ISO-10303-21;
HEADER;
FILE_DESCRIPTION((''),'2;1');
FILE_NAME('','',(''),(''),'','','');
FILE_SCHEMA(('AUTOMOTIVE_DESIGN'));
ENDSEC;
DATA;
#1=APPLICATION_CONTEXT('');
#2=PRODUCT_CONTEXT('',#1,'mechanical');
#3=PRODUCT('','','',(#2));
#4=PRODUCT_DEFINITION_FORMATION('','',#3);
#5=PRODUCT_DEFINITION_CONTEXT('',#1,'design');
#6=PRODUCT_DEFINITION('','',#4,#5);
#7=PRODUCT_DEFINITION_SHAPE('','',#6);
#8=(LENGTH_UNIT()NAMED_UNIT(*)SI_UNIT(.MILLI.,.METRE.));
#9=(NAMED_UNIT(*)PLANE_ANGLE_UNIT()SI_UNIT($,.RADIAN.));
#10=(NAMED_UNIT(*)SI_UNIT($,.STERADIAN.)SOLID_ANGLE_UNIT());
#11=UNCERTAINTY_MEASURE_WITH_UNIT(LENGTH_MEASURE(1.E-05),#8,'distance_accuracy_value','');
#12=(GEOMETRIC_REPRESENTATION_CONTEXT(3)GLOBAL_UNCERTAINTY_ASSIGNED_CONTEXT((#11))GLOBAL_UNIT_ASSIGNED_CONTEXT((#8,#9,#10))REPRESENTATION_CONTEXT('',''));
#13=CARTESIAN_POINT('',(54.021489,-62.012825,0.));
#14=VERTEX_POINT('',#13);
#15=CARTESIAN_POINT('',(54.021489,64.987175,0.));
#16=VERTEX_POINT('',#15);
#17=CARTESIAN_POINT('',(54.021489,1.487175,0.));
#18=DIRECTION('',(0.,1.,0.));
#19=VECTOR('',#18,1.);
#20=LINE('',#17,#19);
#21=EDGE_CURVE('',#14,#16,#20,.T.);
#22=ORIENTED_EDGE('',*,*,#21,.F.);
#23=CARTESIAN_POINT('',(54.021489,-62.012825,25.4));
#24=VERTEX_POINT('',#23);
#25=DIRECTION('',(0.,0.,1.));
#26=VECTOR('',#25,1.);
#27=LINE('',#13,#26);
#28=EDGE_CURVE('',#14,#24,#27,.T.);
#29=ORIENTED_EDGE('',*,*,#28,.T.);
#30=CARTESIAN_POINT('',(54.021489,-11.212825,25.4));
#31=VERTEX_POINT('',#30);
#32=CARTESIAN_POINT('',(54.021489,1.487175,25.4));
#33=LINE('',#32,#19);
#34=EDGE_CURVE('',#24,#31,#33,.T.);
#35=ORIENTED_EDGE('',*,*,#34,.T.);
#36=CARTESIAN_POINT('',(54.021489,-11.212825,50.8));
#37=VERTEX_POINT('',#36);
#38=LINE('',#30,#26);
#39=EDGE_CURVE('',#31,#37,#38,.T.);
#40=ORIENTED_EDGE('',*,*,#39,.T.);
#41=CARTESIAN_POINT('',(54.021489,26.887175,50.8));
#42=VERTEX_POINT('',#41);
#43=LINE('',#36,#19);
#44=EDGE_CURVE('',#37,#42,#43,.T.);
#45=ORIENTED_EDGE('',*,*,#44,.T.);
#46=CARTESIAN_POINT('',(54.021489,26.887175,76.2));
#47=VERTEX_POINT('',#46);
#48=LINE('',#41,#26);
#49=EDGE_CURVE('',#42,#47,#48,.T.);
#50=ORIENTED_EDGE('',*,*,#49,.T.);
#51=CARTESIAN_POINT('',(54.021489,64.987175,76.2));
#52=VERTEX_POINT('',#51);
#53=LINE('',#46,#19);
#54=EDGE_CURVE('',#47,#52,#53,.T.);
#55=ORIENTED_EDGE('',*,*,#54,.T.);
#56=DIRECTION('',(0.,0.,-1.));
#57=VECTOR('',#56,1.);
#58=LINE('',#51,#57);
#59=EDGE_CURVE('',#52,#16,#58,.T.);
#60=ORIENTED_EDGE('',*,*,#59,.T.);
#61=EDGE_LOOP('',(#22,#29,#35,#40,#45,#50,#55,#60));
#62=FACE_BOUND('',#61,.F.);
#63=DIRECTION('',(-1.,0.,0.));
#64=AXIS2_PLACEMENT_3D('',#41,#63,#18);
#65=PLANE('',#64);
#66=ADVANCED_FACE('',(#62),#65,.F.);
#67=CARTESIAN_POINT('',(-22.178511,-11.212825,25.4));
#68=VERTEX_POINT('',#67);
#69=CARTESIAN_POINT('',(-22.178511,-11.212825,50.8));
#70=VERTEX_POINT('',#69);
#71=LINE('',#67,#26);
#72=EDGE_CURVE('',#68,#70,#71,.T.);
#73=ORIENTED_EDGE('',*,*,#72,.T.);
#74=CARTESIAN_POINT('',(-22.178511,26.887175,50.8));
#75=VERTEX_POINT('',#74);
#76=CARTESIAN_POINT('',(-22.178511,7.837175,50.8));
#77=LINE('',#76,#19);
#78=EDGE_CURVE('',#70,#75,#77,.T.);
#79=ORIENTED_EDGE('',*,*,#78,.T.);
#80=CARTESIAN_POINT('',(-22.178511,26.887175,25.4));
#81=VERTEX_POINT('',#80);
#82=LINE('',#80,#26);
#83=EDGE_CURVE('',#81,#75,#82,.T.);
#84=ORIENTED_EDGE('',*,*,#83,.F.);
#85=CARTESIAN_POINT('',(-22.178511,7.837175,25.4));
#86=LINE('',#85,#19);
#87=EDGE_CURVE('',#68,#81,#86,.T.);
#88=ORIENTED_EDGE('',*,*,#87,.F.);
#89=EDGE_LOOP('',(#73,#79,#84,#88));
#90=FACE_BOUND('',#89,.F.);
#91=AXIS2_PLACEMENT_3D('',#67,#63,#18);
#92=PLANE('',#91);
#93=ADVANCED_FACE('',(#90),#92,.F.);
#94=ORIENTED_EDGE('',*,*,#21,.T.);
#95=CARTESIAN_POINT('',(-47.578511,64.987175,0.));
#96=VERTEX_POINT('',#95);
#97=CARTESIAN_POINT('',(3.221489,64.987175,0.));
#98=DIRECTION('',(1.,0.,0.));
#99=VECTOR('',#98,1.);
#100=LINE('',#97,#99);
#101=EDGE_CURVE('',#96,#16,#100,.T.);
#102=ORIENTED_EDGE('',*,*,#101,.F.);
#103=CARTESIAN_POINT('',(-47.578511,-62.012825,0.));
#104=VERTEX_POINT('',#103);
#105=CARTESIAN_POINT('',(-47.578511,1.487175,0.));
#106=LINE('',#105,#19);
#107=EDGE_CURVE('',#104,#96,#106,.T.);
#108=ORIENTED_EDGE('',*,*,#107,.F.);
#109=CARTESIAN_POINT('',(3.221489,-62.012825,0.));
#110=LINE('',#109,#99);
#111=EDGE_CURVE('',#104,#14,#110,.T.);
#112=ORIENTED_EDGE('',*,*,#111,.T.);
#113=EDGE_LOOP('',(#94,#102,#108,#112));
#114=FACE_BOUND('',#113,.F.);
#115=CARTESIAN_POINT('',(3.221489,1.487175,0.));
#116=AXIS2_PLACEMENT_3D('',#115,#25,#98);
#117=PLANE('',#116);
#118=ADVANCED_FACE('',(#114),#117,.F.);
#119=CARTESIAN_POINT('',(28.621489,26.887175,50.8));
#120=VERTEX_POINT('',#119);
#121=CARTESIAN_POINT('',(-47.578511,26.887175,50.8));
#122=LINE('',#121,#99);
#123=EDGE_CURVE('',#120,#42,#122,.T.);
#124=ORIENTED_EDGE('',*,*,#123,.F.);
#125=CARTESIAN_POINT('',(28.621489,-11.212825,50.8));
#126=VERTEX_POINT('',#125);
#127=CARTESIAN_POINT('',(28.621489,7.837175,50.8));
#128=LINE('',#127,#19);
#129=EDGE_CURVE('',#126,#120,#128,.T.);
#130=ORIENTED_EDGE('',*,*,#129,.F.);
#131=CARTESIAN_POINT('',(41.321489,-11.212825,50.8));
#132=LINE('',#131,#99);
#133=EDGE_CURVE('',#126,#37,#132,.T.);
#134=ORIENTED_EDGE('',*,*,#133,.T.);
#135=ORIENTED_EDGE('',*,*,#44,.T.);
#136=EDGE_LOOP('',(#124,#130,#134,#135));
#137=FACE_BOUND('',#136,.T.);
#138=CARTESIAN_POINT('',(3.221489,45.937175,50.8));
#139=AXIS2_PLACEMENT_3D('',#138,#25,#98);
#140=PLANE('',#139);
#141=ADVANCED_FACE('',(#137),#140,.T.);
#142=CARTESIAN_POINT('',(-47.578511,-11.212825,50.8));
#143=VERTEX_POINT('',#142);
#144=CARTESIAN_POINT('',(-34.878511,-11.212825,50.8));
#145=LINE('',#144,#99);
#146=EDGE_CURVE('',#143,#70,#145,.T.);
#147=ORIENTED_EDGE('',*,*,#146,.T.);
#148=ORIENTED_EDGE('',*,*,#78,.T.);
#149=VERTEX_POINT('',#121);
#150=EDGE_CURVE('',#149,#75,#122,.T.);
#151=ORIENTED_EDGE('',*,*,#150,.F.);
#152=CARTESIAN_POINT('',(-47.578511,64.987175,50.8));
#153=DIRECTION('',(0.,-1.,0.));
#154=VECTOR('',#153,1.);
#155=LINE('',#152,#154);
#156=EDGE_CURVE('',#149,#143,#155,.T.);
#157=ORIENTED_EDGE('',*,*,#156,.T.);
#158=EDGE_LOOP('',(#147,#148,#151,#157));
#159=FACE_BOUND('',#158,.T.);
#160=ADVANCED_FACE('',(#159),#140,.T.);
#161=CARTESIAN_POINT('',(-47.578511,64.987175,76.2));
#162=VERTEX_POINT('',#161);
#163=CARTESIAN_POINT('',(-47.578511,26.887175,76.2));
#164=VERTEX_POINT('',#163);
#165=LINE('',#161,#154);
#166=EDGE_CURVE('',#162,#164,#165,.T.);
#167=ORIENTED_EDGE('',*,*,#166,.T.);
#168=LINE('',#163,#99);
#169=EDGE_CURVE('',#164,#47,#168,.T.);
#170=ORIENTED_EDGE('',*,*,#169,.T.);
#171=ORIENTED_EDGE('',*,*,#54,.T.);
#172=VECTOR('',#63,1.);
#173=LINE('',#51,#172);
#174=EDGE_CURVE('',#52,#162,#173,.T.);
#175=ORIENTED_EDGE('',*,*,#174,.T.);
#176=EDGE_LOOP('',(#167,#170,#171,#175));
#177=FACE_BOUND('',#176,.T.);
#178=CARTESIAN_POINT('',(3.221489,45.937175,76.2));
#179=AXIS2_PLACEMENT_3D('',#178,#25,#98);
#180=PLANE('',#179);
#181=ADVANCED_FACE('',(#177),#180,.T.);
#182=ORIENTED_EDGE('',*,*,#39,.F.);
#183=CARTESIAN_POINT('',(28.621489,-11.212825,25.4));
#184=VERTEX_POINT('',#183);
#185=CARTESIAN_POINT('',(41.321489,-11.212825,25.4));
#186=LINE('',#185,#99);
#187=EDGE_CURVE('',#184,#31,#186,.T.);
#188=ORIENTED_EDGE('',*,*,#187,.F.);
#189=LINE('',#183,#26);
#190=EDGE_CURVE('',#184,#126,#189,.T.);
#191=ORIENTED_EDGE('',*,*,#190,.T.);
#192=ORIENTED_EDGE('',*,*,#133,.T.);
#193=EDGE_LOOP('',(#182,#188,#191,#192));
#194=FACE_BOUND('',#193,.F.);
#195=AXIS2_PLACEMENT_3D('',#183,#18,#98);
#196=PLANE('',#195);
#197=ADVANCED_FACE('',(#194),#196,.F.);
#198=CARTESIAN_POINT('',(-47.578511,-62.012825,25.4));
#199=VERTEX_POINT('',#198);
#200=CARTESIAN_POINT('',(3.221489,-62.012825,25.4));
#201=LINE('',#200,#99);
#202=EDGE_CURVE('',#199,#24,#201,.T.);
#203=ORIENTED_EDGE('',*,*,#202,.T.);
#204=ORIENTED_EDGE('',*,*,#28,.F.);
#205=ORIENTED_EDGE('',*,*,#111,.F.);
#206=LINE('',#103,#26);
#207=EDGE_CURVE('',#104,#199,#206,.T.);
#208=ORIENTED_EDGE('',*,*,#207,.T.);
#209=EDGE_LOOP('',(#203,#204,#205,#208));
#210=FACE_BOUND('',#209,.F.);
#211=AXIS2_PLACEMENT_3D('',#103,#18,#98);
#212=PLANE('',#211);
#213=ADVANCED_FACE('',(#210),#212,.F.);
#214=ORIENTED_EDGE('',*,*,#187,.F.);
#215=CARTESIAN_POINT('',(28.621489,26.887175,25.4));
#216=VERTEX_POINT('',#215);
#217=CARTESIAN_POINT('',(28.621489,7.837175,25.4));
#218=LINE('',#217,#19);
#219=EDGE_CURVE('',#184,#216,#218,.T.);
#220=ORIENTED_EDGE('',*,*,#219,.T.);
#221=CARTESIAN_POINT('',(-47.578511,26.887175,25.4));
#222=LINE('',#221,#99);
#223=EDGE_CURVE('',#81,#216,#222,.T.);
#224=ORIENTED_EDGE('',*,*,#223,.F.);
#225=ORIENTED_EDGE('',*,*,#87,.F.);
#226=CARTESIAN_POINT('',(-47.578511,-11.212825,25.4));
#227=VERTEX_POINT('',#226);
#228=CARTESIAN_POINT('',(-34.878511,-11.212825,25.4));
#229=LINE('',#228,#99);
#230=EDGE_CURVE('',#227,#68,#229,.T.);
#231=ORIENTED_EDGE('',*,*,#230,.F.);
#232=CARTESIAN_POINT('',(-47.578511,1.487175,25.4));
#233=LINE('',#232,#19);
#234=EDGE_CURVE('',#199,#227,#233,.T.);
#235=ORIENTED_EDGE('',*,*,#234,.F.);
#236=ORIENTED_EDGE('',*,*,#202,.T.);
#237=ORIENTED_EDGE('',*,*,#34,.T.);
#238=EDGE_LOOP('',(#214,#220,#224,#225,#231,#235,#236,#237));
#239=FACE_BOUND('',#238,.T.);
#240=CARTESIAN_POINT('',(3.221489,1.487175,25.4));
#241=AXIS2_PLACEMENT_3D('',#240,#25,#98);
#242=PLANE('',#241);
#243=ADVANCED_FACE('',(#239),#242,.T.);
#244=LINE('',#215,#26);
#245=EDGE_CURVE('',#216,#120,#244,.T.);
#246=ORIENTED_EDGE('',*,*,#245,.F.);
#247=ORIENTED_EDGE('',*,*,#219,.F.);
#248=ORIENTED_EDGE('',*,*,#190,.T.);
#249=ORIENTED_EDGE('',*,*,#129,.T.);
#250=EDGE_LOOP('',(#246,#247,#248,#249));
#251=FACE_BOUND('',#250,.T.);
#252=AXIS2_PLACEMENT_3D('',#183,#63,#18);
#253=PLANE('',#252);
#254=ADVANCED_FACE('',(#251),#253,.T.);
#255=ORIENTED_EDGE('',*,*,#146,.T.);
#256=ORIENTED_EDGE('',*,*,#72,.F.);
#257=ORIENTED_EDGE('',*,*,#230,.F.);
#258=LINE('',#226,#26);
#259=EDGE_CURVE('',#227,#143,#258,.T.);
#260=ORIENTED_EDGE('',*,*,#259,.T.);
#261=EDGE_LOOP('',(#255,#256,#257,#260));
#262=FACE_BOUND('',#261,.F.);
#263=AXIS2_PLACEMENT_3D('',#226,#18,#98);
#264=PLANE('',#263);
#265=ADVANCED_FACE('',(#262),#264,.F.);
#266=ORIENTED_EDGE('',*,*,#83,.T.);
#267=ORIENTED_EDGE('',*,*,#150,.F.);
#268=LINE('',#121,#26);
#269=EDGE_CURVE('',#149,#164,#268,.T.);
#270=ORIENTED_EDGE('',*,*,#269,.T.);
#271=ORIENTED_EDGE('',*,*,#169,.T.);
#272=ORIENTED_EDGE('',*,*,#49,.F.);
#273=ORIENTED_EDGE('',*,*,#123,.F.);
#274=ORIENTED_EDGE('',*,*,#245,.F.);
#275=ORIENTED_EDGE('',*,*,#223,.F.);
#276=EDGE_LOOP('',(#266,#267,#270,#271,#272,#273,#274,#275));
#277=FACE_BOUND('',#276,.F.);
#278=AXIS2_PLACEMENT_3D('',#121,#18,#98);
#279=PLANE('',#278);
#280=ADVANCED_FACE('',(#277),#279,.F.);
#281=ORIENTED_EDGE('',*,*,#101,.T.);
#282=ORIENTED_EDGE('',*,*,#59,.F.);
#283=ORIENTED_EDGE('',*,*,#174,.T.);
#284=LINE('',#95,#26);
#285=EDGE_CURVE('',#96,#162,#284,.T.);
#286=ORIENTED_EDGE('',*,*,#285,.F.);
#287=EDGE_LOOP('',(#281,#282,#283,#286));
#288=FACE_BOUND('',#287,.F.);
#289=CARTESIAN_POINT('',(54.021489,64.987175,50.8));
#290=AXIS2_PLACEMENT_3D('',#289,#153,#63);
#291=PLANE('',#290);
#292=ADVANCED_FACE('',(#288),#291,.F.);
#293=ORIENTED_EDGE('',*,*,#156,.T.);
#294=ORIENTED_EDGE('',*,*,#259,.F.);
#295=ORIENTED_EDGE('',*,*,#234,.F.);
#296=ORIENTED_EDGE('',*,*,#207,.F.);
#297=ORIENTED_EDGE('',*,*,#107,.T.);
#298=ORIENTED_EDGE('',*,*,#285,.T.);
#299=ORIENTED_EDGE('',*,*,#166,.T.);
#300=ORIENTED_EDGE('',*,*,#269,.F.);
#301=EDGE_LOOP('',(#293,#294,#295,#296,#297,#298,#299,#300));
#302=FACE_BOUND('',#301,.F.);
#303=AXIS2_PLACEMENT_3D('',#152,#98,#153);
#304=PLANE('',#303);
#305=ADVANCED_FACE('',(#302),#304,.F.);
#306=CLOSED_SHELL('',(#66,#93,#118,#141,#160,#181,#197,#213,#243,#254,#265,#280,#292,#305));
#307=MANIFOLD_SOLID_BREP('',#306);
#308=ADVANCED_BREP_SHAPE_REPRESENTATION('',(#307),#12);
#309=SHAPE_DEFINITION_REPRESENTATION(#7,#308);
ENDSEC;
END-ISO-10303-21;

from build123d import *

# Parameters (mm, degrees)
F0_W     = 101.6
F0_H     = 127
F1_DEPTH = 25.4
F2_W     = 25.4
F2_H     = 38.1
F3_DEPTH = 25.4
F5_DEPTH = 25.4


with BuildPart() as f1:
    # F0 (on Top) → F1 (new body)
    with BuildSketch(Plane.XY):
        with Locations((3.221489, 1.487175)):
            Rectangle(F0_W, F0_H)
    extrude(amount=F1_DEPTH)

    # F2 (on face) → F3 (join)
    with BuildSketch(Plane.XY.offset(25.4)):
        Polygon((54.021489, 64.987175), (-47.578511, 64.987175), (-47.578511, 26.887175), (-22.178511, 26.887175), (28.621489, 26.887175), (54.021489, 26.887175), align=None)
        with Locations((-34.878511, 7.837175)):
            Rectangle(F2_W, F2_H)
        with Locations((41.321489, 7.837175)):
            Rectangle(F2_W, F2_H)
    extrude(amount=F3_DEPTH)

    # F4 (on face) → F5 (join)
    with BuildSketch(Plane.XY.offset(50.8)):
        Polygon((54.021489, 64.987175), (-47.578511, 64.987175), (-47.578511, 26.887175), (-22.178511, 26.887175), (28.621489, 26.887175), (54.021489, 26.887175), align=None)
    extrude(amount=F5_DEPTH)


solid = f1.part
